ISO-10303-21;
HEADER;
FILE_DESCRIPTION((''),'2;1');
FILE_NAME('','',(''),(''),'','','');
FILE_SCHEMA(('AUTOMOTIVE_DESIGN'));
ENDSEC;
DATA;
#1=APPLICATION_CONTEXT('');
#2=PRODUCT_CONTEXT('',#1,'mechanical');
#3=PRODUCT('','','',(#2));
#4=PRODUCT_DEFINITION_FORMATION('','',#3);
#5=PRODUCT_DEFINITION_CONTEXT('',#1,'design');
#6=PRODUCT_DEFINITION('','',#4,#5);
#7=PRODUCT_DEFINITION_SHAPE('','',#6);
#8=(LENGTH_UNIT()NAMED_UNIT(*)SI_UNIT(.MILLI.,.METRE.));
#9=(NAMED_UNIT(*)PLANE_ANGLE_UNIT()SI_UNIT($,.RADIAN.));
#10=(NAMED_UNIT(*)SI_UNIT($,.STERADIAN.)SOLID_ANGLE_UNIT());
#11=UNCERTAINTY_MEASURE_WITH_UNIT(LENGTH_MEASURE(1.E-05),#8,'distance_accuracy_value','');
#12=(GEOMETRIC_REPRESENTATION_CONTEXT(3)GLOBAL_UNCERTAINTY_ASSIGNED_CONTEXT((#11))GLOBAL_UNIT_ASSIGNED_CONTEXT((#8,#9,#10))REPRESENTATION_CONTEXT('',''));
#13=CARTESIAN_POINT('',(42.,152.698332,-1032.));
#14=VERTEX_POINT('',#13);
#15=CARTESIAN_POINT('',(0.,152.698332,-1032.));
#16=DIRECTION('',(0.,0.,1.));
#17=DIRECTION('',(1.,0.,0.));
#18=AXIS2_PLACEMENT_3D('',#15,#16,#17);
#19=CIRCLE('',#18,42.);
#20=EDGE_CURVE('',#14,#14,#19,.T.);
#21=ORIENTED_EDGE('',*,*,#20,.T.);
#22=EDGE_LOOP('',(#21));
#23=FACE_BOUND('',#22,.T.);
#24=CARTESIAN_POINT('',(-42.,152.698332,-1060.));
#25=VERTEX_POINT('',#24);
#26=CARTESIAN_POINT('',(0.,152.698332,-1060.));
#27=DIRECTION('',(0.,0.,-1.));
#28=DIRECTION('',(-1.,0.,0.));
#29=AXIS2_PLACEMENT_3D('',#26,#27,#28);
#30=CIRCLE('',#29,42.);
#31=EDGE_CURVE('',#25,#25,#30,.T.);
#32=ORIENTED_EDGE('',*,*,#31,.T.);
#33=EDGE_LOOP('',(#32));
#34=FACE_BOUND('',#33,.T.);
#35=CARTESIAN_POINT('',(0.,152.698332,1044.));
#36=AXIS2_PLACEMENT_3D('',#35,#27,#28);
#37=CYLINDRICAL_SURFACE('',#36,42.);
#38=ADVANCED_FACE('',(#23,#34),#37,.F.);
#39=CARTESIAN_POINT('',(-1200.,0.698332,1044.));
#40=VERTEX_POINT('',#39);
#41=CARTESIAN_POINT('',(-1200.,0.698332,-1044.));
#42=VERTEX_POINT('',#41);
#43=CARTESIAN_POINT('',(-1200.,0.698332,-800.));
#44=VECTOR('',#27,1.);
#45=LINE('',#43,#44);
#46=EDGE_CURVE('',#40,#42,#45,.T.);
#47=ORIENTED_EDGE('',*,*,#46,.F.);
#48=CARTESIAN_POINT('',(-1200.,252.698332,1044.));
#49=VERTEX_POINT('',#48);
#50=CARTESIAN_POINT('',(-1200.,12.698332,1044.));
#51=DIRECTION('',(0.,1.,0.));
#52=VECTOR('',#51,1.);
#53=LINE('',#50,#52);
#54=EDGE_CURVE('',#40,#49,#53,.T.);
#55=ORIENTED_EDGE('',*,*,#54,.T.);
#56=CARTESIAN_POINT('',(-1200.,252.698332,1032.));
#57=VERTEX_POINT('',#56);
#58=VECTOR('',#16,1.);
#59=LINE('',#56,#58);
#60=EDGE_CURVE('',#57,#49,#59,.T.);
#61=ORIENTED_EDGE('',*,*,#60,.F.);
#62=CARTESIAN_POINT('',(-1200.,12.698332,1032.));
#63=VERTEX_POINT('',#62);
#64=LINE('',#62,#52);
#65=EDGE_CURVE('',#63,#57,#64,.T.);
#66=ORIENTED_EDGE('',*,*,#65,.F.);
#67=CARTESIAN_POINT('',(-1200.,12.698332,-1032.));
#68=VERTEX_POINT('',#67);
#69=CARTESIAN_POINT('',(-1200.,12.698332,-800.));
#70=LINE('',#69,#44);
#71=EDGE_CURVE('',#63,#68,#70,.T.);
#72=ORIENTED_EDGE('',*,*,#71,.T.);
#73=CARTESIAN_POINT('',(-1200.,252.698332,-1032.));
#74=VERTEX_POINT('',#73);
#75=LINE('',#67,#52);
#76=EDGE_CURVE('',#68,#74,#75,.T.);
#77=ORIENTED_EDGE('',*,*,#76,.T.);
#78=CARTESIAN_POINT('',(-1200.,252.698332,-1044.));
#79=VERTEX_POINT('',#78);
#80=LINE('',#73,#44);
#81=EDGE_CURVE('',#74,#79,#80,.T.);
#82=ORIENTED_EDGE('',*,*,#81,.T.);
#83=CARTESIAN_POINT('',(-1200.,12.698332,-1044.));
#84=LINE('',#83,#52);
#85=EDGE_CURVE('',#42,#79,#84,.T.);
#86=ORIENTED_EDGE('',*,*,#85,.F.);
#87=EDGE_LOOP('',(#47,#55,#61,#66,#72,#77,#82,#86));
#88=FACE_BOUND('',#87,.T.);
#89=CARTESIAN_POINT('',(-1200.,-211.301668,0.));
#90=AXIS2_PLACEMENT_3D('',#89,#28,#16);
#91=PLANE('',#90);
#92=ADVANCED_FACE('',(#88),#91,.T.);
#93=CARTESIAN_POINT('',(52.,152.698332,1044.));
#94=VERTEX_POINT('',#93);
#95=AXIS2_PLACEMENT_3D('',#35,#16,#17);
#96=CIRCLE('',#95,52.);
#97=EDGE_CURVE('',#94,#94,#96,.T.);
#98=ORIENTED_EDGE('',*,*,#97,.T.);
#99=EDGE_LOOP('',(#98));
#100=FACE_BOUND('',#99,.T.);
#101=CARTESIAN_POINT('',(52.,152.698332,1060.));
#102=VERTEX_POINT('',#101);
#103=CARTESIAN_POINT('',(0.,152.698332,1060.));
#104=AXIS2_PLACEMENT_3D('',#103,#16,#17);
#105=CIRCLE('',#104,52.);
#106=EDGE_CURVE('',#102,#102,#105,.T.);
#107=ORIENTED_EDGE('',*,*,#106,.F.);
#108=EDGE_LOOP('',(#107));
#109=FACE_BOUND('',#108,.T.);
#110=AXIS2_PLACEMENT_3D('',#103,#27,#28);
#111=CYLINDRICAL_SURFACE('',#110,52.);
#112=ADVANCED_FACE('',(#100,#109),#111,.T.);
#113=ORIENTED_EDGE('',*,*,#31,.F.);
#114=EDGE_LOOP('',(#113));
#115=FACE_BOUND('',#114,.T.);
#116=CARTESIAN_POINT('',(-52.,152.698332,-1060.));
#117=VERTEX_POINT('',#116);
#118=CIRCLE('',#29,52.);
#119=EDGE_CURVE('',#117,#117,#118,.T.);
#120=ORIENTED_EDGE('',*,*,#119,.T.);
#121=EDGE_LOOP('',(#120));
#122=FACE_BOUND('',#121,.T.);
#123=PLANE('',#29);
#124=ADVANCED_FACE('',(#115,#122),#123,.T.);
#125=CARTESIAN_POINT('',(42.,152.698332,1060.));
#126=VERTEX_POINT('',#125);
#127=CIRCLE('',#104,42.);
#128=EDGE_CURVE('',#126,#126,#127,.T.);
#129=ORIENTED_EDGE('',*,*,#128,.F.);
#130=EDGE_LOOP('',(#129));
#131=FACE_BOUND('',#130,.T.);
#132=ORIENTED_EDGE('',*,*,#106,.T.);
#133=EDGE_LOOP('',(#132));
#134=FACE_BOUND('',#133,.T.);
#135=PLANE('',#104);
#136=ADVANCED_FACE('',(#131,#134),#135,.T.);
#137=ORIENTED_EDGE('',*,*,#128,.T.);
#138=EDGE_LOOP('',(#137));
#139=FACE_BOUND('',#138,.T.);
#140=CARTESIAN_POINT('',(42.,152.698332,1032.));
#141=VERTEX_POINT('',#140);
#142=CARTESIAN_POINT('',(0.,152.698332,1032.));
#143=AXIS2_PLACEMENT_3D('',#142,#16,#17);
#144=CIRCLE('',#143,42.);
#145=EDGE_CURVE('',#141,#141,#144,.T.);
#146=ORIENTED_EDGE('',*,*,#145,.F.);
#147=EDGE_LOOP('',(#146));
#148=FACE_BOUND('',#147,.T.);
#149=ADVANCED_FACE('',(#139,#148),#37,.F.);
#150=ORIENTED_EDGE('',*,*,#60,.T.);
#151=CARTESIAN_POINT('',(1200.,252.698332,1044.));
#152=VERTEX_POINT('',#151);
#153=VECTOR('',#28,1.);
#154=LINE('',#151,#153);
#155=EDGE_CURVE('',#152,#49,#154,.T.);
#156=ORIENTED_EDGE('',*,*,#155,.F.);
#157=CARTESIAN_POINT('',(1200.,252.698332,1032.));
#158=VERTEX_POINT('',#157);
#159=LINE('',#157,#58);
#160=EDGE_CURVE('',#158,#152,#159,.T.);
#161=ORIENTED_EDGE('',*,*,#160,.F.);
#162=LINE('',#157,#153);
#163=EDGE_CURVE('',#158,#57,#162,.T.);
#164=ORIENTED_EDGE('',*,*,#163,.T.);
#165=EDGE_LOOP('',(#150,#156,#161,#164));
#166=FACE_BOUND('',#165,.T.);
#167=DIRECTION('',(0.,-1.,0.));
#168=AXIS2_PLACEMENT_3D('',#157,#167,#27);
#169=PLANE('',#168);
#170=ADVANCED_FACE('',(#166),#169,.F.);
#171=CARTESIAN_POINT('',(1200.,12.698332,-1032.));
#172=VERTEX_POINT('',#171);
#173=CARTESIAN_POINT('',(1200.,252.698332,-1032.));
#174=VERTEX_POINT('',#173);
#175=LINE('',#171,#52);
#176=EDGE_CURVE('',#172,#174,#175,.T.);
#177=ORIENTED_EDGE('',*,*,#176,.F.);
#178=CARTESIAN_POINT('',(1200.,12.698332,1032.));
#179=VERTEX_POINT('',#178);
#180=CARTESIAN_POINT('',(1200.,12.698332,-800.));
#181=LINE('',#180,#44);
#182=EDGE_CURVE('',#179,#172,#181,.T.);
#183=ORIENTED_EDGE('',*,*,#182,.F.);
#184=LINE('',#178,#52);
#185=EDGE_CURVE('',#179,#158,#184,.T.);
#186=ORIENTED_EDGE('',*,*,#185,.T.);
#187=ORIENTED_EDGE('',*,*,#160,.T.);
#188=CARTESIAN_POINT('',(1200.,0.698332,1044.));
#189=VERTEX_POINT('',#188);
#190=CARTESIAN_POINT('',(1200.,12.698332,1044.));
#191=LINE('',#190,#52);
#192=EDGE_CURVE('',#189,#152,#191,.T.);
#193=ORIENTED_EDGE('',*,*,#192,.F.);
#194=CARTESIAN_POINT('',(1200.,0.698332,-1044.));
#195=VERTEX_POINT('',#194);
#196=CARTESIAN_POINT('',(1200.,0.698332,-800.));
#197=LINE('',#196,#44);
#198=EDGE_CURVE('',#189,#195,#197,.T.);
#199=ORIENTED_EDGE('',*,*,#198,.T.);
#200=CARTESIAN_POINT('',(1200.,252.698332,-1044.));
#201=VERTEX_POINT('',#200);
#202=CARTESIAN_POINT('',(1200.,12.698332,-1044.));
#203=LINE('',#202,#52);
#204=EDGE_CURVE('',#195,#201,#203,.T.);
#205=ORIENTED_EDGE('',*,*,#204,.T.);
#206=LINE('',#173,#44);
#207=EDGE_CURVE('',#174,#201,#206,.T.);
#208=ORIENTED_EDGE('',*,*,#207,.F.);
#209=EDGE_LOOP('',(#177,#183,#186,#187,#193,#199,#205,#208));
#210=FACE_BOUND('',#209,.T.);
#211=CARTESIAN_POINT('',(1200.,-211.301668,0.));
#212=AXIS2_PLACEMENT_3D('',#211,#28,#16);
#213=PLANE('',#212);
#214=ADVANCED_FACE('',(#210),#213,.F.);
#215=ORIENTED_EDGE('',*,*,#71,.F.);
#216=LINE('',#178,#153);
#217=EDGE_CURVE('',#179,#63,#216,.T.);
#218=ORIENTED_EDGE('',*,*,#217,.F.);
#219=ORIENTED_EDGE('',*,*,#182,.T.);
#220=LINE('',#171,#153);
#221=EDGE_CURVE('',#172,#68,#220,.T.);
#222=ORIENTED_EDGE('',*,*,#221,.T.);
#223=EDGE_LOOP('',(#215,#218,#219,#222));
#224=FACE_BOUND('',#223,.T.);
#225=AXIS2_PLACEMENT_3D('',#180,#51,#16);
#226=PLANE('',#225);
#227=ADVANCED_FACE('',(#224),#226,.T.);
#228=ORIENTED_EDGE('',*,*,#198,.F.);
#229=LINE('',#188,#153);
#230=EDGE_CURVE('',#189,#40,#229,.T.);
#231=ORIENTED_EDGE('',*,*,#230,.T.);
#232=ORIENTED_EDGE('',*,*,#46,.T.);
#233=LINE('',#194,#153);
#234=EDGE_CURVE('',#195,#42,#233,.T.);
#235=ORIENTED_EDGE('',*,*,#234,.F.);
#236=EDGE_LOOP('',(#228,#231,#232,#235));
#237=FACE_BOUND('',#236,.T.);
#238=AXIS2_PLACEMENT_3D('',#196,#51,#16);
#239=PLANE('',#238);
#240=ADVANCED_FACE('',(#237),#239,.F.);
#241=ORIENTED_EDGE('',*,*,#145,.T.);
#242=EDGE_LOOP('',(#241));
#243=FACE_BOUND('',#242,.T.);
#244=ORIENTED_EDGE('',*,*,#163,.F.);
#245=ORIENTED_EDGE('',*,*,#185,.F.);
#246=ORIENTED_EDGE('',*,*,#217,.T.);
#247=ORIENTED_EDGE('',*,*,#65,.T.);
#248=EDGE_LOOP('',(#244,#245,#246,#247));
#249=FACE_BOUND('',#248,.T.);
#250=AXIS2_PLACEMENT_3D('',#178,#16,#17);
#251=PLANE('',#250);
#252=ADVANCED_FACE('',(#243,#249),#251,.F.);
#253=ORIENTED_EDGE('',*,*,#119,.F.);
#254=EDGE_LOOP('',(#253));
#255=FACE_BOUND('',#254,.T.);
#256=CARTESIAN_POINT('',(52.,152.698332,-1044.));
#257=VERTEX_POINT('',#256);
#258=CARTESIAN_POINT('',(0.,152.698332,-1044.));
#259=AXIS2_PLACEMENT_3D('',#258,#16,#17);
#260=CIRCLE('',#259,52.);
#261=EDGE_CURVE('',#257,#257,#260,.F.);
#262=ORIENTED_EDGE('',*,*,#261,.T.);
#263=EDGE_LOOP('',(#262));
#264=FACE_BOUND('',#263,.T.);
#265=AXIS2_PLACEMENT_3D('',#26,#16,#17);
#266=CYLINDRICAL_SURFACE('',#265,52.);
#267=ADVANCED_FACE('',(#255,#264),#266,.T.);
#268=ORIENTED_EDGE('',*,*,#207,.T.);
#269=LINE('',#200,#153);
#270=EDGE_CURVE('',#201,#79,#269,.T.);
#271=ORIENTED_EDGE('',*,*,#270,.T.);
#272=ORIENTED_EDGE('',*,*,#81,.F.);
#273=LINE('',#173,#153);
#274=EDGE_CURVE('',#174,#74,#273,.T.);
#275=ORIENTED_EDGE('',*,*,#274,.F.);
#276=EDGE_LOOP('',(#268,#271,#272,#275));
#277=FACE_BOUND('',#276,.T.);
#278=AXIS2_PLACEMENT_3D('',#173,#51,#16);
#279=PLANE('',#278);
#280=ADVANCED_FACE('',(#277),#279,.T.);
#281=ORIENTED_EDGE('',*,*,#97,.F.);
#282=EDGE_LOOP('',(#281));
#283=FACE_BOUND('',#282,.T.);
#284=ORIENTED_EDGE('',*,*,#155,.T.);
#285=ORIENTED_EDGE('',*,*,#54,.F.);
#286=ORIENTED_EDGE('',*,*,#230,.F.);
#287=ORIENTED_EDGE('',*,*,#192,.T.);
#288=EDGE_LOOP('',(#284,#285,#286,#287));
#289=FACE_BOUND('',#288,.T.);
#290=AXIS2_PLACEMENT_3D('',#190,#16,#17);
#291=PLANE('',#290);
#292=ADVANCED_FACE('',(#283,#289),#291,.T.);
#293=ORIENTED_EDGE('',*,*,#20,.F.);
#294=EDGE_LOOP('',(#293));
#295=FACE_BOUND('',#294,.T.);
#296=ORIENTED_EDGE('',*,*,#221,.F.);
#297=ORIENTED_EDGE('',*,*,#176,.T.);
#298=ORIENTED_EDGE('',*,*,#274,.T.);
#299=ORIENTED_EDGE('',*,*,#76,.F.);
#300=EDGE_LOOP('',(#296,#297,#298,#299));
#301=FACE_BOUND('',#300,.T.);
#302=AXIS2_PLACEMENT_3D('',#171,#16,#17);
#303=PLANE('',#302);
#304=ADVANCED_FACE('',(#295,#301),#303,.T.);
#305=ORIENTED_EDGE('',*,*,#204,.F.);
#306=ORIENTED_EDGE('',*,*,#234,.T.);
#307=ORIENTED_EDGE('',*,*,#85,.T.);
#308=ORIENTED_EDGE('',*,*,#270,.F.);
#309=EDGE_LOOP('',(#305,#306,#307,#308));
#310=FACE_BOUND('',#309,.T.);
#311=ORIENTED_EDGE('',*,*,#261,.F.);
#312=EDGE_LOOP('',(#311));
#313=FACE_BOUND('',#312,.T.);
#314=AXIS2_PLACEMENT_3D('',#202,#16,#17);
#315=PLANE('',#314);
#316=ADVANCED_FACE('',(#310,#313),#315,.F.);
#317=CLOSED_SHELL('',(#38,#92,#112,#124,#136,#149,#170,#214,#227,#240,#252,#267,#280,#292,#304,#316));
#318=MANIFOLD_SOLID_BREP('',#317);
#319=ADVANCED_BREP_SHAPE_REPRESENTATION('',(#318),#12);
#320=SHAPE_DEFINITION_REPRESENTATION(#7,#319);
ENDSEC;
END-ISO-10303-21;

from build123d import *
from build123d.topology import SkipClean

# Parameters (mm, degrees)
VYSUNOUT_TENKOST_NN_1_DEPTH = 150
SKICA9_R                    = 5.25
ODEBRAT_VYSUNUT_M4_DEPTH    = 307.569731056
SKETCH1_R                   = 6.5
SKETCH1_R_2                 = 5.25
BOSS_EXTRUDE2_DEPTH         = 2
BOSS_EXTRUDE3_START         = 2
SKETCH2_R                   = 6.5
SKETCH2_R_2                 = 5.25
BOSS_EXTRUDE3_DEPTH         = 2
SCALE1_SCALE                = 8


with BuildPart() as part:
    # Skica4 → Vysunout tenkostěnný1 (new, symmetric)
    with BuildSketch(Plane(origin=(0, 0, 0), x_dir=(0, 0, -1), z_dir=(1, 0, 0))):
        Polygon((0, 28), (100, 28), (129, 28), (129, 58), (130.5, 58), (130.5, 26.5), (100, 26.5), (0, 26.5), align=None)
    vysunout_tenkost_nn_1 = extrude(amount=VYSUNOUT_TENKOST_NN_1_DEPTH, both=True)

    # Zrcadlit1: Vysunout tenkostěnný1 across plane
    add(vysunout_tenkost_nn_1.mirror(Plane(origin=(150, 26.5, 0), x_dir=(1, 0, 0), z_dir=(0, 0, 1))))

    # Skica9 → Odebrat vysunutím4 (cut, through all)
    with BuildSketch(Plane(origin=(0, 0, -130.5), x_dir=(-1, 0, 0), z_dir=(0, 0, -1))):
        with Locations((0, 45.5)):
            Circle(SKICA9_R)
    extrude(amount=-ODEBRAT_VYSUNUT_M4_DEPTH, mode=Mode.SUBTRACT)

    # Sketch1 → Boss-Extrude2 (add)
    with SkipClean():  # the faces are left unmerged after this step: merging them gives an invalid solid
        with BuildSketch(Plane.XY.offset(130.5)):
            with Locations((0, 45.5)):
                Circle(SKETCH1_R)
            with Locations((0, 45.5)):
                Circle(SKETCH1_R_2, mode=Mode.SUBTRACT)
        extrude(amount=BOSS_EXTRUDE2_DEPTH)

    # Sketch2 → Boss-Extrude3 (add)
    with BuildSketch(Plane(origin=(0, 0, -130.5), x_dir=(-1, 0, 0), z_dir=(0, 0, -1)).offset(BOSS_EXTRUDE3_START)):
        with Locations(Location((0, 45.5, 0), (0, 0, 180))):
            Circle(SKETCH2_R)
        with Locations(Location((0, 45.5, 0), (0, 0, 180))):
            Circle(SKETCH2_R_2, mode=Mode.SUBTRACT)
    extrude(amount=-BOSS_EXTRUDE3_DEPTH)


with BuildPart() as part_1:
    # Scale1: scaled about (0, 30.185952613, 0)
    add(part.part.scale(SCALE1_SCALE).moved(Location((0, -211.301668291, 0))))


solid = part_1.part
